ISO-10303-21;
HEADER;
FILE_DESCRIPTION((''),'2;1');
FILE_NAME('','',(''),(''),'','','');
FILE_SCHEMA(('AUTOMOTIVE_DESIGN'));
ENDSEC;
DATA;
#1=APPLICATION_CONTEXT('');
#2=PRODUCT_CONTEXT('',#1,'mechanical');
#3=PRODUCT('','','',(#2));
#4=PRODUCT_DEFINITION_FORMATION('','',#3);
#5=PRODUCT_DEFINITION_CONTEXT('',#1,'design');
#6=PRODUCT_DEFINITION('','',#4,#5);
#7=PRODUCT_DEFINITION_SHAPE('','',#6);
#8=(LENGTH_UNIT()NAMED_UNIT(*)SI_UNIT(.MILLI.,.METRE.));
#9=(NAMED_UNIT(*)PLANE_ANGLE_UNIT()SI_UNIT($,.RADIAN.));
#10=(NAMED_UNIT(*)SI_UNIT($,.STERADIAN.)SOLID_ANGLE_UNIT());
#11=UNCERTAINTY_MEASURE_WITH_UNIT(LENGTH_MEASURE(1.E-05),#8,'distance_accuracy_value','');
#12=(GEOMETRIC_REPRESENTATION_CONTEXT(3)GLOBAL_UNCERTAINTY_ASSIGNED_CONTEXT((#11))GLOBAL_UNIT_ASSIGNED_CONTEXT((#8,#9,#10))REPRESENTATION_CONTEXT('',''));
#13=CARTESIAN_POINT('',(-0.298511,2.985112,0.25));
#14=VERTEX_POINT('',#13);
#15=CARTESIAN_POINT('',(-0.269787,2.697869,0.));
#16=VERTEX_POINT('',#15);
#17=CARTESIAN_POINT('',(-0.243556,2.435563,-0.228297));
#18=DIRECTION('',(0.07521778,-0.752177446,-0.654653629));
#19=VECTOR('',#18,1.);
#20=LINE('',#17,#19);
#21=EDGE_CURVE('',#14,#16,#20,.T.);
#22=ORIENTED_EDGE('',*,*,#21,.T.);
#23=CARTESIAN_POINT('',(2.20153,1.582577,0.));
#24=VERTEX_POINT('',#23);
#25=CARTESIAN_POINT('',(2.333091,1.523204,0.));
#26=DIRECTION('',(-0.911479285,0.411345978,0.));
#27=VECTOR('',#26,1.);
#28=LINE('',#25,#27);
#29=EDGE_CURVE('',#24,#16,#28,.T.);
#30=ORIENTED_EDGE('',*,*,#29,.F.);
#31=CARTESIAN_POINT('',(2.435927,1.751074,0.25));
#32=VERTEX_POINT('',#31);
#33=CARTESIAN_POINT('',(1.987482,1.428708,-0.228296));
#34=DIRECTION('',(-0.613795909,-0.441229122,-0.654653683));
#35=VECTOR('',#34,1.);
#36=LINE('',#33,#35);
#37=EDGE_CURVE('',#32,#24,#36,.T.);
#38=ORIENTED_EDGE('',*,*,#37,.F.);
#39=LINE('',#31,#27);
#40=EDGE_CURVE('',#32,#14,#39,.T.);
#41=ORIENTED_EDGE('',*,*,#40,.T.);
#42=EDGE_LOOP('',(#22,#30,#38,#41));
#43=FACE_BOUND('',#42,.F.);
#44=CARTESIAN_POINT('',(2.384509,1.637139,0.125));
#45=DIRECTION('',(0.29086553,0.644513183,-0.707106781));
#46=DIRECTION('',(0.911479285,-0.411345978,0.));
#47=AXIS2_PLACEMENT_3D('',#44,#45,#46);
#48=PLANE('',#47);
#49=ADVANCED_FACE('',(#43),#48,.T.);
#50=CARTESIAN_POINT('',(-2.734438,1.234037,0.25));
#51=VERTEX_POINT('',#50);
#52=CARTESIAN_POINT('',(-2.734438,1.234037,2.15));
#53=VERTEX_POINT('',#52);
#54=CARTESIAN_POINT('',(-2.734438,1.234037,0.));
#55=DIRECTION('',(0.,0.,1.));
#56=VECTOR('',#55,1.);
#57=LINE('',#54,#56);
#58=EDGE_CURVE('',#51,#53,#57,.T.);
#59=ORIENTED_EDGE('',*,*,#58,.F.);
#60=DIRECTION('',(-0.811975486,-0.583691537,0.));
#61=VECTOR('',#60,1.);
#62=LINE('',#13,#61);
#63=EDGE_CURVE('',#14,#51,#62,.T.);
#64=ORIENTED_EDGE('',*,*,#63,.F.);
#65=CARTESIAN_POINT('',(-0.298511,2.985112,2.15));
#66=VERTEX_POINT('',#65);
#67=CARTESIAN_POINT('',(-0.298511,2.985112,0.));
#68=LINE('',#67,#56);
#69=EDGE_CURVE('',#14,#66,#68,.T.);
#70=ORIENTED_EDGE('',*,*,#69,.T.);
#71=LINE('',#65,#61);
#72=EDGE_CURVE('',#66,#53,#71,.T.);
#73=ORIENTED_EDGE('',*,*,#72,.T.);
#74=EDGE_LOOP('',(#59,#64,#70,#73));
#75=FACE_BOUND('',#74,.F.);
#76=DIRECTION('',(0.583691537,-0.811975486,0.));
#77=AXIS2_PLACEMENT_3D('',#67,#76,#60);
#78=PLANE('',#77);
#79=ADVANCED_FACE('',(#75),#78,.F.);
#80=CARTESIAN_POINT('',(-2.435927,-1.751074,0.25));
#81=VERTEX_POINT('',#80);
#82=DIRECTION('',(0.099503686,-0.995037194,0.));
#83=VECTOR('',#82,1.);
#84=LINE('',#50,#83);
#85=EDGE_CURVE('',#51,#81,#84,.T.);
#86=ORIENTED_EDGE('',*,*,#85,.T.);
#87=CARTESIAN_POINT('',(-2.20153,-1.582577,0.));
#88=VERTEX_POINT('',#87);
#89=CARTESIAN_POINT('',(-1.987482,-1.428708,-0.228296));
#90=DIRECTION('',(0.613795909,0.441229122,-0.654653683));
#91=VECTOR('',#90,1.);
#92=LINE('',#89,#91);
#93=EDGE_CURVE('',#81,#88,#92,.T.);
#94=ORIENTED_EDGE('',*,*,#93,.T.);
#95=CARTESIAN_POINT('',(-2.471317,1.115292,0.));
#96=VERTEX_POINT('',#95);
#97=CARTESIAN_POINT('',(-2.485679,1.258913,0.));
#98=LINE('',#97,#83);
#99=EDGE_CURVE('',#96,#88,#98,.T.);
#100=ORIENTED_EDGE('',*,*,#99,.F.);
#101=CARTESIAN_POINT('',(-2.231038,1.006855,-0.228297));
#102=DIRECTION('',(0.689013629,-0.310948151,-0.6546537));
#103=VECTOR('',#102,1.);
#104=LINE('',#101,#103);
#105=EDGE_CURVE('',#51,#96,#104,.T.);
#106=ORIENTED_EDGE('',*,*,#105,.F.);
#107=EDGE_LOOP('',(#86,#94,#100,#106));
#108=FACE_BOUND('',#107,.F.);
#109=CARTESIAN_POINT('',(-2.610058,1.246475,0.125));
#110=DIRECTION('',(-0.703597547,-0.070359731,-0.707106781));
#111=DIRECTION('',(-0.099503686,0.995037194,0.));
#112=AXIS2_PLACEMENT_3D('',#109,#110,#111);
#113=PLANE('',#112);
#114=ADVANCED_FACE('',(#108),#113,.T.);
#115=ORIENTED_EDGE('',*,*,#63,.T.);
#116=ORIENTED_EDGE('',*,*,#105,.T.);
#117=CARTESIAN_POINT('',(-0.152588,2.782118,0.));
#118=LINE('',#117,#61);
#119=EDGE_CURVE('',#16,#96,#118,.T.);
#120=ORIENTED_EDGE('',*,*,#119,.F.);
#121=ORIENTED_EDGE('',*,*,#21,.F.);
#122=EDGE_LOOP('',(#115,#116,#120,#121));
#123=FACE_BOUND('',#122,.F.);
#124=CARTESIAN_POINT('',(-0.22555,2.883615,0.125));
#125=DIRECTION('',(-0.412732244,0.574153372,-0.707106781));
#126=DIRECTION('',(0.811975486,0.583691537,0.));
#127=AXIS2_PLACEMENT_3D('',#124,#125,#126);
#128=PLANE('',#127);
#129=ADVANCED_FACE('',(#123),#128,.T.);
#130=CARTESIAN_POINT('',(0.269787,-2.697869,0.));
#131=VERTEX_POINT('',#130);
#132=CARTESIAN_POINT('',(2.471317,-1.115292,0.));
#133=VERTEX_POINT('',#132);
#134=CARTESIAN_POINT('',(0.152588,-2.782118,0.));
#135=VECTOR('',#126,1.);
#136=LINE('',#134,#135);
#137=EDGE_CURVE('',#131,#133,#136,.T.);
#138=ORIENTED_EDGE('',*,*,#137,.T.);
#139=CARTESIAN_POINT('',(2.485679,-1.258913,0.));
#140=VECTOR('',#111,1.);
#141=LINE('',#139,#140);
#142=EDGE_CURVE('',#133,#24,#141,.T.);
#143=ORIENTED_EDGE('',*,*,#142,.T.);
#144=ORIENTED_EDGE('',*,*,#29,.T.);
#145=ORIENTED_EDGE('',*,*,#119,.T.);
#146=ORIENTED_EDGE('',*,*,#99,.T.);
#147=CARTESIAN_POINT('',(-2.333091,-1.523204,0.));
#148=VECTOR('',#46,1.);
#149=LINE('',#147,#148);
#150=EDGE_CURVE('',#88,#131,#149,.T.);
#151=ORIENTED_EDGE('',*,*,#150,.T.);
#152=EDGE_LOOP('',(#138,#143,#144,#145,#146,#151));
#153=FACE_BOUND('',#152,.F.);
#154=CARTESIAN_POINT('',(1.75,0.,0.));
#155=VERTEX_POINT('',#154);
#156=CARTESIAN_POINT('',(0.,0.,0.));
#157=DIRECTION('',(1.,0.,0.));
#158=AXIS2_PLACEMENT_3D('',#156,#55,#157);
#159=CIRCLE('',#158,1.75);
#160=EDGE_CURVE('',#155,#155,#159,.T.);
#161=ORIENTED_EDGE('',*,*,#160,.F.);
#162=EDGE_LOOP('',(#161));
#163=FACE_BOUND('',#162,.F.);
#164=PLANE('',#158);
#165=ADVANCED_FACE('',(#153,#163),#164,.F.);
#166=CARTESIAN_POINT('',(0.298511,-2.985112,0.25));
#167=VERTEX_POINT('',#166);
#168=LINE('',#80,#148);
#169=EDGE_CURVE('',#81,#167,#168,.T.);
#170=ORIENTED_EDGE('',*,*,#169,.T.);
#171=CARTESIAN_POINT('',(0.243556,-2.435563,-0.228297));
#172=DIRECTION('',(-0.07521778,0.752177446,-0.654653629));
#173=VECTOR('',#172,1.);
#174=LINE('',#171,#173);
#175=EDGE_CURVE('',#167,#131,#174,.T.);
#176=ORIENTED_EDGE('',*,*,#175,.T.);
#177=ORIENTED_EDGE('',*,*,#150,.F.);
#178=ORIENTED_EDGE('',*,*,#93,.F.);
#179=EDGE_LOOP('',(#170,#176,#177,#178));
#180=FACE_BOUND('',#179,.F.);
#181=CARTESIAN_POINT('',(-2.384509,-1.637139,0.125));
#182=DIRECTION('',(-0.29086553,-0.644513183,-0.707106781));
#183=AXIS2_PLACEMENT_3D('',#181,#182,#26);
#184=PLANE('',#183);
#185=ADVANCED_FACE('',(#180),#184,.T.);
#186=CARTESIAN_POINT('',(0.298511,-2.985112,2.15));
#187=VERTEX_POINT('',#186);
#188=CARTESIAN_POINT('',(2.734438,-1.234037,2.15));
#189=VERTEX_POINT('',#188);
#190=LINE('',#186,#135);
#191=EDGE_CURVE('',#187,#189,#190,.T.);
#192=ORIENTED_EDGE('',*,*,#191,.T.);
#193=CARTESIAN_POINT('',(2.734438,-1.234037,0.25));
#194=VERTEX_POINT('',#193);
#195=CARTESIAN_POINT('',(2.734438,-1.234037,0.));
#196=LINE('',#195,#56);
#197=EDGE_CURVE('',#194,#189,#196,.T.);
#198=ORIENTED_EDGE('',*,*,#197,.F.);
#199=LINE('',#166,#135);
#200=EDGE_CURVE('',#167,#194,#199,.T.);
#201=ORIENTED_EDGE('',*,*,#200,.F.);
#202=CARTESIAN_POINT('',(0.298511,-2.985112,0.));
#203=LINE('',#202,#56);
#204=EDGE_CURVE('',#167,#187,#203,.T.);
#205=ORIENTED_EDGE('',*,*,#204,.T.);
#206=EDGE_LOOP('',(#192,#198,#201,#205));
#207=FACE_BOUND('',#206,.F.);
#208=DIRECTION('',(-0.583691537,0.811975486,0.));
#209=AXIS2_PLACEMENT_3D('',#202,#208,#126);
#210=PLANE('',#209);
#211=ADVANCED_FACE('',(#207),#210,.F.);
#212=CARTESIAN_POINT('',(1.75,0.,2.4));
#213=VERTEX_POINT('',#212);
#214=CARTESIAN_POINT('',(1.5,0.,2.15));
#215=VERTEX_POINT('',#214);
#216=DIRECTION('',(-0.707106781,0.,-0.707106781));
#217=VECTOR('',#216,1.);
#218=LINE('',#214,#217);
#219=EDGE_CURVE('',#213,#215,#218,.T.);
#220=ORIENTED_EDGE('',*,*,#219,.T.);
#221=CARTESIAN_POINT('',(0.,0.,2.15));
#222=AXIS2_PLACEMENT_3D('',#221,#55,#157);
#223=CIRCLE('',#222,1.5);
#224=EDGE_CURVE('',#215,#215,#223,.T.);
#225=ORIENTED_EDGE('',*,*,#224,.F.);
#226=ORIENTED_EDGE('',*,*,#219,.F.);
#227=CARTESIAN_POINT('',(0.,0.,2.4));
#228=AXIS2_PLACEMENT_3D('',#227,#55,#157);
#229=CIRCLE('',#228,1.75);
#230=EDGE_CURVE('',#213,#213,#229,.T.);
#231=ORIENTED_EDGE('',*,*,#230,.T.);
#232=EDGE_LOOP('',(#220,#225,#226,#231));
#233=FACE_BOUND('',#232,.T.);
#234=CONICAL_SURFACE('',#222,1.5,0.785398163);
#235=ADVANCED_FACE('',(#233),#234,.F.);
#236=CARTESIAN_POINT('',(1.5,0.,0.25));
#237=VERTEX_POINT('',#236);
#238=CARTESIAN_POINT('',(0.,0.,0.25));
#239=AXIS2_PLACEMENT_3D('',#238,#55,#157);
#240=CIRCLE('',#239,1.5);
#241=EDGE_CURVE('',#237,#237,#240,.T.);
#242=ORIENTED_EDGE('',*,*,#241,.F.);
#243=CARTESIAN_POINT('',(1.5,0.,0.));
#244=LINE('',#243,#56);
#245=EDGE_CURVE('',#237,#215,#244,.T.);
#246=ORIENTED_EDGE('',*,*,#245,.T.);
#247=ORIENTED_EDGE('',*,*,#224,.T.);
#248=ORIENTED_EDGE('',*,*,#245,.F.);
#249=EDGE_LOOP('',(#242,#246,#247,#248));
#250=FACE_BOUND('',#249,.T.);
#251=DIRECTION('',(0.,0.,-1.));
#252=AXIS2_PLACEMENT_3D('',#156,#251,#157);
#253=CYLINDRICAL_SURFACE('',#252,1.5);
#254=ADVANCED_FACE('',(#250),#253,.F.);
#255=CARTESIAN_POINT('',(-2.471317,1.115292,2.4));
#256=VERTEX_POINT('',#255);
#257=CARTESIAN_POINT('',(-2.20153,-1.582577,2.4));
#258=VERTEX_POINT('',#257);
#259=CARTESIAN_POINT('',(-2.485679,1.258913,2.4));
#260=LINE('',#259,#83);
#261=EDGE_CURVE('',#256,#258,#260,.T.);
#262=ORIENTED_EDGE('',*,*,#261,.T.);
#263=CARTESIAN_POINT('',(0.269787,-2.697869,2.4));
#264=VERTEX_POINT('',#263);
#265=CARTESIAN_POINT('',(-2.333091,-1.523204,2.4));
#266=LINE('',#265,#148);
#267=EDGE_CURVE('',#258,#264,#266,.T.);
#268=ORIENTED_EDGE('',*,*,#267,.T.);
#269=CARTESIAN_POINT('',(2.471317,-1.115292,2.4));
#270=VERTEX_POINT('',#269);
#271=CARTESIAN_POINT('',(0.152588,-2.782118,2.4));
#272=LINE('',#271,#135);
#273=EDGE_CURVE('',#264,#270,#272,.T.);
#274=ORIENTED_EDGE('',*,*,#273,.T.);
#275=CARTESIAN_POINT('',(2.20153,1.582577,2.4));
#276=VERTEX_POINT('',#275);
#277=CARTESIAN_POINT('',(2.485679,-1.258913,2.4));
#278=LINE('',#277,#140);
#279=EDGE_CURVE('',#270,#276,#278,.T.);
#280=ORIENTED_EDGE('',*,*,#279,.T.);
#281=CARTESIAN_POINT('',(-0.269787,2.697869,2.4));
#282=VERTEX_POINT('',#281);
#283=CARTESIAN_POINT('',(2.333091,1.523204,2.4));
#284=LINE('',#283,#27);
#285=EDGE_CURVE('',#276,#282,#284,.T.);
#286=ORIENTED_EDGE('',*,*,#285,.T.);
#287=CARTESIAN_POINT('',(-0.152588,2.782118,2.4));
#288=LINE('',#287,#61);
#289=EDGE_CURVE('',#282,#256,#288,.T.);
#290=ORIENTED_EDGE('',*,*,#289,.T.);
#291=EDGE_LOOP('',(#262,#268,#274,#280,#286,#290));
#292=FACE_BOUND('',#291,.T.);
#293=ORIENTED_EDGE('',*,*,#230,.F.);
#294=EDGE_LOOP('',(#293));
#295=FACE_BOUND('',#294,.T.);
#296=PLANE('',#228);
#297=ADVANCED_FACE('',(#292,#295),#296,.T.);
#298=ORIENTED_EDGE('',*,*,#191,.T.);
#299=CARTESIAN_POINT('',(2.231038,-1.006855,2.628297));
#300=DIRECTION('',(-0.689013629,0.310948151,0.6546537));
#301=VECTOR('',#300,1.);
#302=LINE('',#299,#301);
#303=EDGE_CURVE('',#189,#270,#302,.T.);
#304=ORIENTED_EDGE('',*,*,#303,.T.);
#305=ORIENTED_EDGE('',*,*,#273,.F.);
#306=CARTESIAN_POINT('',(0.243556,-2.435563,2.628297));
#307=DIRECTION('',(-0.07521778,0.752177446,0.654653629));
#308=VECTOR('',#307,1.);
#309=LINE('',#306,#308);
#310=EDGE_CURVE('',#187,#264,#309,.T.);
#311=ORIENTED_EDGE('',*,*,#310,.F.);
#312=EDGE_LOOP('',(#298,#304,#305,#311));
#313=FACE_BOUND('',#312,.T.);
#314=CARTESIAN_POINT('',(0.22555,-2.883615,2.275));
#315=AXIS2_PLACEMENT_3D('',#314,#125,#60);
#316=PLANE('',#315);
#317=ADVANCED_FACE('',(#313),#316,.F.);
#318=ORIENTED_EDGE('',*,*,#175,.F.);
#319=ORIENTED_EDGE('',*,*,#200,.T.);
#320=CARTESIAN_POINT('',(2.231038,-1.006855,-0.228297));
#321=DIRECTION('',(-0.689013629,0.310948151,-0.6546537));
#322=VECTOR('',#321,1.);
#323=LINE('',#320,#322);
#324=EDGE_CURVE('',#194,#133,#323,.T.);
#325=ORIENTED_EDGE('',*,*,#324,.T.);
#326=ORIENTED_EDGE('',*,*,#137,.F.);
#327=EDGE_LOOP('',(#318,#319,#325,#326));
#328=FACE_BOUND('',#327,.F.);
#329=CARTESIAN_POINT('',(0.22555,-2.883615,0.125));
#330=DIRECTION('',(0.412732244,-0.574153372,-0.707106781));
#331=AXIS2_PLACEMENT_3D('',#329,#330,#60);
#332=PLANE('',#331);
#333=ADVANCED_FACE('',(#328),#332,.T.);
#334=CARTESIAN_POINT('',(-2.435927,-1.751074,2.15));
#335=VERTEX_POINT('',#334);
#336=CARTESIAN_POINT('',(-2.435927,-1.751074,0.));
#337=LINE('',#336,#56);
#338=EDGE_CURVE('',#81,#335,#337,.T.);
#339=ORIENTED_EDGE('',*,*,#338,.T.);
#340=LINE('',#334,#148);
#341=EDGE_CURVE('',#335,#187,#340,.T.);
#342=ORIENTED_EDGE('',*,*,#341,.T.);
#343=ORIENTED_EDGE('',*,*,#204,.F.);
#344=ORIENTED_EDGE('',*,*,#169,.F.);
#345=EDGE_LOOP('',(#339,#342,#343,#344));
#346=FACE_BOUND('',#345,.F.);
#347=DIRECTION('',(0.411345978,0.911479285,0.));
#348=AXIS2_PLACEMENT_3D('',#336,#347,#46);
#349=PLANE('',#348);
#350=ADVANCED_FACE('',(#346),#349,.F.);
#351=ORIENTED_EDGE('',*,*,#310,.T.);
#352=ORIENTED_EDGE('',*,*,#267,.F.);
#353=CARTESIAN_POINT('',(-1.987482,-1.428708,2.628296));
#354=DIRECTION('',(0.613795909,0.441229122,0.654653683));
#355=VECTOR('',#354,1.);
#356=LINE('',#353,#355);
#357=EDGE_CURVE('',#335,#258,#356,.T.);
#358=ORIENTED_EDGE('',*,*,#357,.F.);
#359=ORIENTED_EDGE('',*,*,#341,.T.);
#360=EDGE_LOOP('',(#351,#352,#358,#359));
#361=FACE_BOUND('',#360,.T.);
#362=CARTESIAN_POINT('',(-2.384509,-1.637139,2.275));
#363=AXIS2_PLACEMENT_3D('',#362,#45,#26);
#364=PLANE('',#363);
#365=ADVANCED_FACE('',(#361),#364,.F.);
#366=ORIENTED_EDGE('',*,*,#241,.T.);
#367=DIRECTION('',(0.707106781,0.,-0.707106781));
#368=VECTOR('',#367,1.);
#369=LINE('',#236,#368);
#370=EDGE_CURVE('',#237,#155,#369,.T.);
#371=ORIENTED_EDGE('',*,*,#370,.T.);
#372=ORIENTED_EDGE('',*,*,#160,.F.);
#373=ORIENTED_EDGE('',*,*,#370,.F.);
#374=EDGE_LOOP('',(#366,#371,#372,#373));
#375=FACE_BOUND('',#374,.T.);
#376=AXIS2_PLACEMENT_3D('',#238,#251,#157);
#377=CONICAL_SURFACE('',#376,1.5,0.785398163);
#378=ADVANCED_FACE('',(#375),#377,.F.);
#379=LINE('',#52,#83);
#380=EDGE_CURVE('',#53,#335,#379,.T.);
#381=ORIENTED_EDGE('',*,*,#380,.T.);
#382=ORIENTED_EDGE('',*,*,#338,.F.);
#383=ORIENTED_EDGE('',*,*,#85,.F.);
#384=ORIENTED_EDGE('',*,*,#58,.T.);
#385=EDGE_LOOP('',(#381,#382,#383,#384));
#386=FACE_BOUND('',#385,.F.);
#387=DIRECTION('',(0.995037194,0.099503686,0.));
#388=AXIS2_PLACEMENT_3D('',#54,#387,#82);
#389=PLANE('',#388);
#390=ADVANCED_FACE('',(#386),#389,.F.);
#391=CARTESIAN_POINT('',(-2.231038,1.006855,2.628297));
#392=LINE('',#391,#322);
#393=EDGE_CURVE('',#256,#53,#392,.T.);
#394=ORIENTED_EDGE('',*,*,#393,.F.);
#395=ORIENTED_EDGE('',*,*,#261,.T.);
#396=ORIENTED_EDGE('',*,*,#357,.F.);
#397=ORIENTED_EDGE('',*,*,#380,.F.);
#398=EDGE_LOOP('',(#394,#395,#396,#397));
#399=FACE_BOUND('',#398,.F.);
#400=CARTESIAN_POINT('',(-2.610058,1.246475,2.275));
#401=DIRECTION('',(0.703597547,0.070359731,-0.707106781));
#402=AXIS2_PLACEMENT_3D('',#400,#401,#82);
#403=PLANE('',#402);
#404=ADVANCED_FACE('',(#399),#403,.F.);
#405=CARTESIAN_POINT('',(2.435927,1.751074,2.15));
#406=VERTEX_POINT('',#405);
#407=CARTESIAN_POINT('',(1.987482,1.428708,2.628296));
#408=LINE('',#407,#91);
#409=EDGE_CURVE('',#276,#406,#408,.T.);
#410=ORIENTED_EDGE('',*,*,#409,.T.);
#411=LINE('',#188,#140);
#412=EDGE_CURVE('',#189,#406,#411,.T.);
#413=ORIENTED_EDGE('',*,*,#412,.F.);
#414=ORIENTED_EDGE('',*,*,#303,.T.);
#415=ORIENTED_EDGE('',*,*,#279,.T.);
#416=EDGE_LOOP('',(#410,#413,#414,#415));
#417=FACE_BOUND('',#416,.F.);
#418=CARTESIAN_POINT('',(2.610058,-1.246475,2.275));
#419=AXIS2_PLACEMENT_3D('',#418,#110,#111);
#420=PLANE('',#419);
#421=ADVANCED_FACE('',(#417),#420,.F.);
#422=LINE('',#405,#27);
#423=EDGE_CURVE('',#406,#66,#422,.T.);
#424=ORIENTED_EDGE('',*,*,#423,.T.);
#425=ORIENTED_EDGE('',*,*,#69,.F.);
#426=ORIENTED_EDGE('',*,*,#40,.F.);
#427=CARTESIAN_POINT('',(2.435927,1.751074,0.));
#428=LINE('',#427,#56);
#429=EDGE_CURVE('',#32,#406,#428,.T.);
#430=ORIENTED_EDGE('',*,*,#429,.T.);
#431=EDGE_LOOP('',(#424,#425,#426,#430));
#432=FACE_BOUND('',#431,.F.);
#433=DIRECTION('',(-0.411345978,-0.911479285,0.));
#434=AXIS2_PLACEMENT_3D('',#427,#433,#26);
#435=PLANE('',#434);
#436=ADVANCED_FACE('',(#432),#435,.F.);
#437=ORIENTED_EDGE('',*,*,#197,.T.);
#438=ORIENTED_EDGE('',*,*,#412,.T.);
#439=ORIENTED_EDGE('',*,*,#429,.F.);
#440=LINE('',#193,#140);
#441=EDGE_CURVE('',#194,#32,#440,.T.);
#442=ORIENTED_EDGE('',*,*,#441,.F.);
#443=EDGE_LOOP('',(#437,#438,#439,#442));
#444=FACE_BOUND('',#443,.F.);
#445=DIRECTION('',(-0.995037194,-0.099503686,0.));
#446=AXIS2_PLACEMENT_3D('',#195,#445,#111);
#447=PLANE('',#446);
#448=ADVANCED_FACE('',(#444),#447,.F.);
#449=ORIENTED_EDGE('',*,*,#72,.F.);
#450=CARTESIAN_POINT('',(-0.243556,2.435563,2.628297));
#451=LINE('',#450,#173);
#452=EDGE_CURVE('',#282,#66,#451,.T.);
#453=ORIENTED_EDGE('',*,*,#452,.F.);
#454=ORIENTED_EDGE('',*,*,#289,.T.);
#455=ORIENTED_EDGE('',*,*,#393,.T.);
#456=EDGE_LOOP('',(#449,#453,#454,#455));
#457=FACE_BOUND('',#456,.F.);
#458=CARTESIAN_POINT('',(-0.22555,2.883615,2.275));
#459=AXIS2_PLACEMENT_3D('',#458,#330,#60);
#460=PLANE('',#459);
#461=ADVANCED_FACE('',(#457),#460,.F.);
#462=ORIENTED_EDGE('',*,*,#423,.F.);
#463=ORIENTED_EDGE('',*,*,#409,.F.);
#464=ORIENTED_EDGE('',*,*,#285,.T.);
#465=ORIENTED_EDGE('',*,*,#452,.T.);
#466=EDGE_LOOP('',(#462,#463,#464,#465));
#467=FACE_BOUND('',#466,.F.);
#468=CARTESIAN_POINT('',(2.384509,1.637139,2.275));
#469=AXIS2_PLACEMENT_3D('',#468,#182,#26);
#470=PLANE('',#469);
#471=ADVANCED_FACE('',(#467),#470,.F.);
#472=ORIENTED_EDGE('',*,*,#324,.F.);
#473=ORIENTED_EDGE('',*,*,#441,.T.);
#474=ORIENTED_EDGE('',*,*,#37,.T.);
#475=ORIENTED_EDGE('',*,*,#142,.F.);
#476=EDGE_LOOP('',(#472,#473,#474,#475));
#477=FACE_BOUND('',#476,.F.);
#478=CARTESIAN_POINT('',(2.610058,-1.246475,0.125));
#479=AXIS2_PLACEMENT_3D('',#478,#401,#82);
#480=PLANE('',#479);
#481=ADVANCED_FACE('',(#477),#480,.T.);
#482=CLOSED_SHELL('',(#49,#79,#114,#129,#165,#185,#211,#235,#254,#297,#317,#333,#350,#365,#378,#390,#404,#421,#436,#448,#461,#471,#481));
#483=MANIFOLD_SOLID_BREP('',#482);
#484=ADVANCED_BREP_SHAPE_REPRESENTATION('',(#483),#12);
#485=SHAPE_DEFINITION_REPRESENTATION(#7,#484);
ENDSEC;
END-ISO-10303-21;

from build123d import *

# Parameters (mm, degrees)
F0_R     = 1.5
F1_DEPTH = 2.4
F2_SIZE  = 0.25
F3_SIZE  = 0.25


with BuildPart() as f1:
    # F0 (on Top) → F1 (new body)
    with BuildSketch(Plane.XY):
        Polygon((0.298511, -2.985112), (2.734438, -1.234037), (2.435927, 1.751074), (-0.298511, 2.985112), (-2.734438, 1.234037), (-2.435927, -1.751074), align=None)
        Circle(F0_R, mode=Mode.SUBTRACT)
    extrude(amount=F1_DEPTH)

    # F2
    f2_edges = [f1.edges().sort_by_distance(p)[0] for p in [
        (-1.068708, -2.368093, 0),
        (1.516475, -2.109574, 0),
        (2.585182, 0.258518, 0),
        (1.068708, 2.368093, 0),
        (-1.516475, 2.109574, 0),
        (-2.585182, -0.258518, 0),
        (-1.5, 0, 0),
    ]]
    chamfer(f2_edges, length=F2_SIZE)

    # F3
    f3_edges = [f1.edges().sort_by_distance(p)[0] for p in [
        (-1.068708, -2.368093, 2.4),
        (1.516475, -2.109574, 2.4),
        (2.585182, 0.258518, 2.4),
        (1.068708, 2.368093, 2.4),
        (-1.516475, 2.109574, 2.4),
        (-2.585182, -0.258518, 2.4),
        (-1.5, 0, 2.4),
    ]]
    chamfer(f3_edges, length=F3_SIZE)


solid = f1.part
